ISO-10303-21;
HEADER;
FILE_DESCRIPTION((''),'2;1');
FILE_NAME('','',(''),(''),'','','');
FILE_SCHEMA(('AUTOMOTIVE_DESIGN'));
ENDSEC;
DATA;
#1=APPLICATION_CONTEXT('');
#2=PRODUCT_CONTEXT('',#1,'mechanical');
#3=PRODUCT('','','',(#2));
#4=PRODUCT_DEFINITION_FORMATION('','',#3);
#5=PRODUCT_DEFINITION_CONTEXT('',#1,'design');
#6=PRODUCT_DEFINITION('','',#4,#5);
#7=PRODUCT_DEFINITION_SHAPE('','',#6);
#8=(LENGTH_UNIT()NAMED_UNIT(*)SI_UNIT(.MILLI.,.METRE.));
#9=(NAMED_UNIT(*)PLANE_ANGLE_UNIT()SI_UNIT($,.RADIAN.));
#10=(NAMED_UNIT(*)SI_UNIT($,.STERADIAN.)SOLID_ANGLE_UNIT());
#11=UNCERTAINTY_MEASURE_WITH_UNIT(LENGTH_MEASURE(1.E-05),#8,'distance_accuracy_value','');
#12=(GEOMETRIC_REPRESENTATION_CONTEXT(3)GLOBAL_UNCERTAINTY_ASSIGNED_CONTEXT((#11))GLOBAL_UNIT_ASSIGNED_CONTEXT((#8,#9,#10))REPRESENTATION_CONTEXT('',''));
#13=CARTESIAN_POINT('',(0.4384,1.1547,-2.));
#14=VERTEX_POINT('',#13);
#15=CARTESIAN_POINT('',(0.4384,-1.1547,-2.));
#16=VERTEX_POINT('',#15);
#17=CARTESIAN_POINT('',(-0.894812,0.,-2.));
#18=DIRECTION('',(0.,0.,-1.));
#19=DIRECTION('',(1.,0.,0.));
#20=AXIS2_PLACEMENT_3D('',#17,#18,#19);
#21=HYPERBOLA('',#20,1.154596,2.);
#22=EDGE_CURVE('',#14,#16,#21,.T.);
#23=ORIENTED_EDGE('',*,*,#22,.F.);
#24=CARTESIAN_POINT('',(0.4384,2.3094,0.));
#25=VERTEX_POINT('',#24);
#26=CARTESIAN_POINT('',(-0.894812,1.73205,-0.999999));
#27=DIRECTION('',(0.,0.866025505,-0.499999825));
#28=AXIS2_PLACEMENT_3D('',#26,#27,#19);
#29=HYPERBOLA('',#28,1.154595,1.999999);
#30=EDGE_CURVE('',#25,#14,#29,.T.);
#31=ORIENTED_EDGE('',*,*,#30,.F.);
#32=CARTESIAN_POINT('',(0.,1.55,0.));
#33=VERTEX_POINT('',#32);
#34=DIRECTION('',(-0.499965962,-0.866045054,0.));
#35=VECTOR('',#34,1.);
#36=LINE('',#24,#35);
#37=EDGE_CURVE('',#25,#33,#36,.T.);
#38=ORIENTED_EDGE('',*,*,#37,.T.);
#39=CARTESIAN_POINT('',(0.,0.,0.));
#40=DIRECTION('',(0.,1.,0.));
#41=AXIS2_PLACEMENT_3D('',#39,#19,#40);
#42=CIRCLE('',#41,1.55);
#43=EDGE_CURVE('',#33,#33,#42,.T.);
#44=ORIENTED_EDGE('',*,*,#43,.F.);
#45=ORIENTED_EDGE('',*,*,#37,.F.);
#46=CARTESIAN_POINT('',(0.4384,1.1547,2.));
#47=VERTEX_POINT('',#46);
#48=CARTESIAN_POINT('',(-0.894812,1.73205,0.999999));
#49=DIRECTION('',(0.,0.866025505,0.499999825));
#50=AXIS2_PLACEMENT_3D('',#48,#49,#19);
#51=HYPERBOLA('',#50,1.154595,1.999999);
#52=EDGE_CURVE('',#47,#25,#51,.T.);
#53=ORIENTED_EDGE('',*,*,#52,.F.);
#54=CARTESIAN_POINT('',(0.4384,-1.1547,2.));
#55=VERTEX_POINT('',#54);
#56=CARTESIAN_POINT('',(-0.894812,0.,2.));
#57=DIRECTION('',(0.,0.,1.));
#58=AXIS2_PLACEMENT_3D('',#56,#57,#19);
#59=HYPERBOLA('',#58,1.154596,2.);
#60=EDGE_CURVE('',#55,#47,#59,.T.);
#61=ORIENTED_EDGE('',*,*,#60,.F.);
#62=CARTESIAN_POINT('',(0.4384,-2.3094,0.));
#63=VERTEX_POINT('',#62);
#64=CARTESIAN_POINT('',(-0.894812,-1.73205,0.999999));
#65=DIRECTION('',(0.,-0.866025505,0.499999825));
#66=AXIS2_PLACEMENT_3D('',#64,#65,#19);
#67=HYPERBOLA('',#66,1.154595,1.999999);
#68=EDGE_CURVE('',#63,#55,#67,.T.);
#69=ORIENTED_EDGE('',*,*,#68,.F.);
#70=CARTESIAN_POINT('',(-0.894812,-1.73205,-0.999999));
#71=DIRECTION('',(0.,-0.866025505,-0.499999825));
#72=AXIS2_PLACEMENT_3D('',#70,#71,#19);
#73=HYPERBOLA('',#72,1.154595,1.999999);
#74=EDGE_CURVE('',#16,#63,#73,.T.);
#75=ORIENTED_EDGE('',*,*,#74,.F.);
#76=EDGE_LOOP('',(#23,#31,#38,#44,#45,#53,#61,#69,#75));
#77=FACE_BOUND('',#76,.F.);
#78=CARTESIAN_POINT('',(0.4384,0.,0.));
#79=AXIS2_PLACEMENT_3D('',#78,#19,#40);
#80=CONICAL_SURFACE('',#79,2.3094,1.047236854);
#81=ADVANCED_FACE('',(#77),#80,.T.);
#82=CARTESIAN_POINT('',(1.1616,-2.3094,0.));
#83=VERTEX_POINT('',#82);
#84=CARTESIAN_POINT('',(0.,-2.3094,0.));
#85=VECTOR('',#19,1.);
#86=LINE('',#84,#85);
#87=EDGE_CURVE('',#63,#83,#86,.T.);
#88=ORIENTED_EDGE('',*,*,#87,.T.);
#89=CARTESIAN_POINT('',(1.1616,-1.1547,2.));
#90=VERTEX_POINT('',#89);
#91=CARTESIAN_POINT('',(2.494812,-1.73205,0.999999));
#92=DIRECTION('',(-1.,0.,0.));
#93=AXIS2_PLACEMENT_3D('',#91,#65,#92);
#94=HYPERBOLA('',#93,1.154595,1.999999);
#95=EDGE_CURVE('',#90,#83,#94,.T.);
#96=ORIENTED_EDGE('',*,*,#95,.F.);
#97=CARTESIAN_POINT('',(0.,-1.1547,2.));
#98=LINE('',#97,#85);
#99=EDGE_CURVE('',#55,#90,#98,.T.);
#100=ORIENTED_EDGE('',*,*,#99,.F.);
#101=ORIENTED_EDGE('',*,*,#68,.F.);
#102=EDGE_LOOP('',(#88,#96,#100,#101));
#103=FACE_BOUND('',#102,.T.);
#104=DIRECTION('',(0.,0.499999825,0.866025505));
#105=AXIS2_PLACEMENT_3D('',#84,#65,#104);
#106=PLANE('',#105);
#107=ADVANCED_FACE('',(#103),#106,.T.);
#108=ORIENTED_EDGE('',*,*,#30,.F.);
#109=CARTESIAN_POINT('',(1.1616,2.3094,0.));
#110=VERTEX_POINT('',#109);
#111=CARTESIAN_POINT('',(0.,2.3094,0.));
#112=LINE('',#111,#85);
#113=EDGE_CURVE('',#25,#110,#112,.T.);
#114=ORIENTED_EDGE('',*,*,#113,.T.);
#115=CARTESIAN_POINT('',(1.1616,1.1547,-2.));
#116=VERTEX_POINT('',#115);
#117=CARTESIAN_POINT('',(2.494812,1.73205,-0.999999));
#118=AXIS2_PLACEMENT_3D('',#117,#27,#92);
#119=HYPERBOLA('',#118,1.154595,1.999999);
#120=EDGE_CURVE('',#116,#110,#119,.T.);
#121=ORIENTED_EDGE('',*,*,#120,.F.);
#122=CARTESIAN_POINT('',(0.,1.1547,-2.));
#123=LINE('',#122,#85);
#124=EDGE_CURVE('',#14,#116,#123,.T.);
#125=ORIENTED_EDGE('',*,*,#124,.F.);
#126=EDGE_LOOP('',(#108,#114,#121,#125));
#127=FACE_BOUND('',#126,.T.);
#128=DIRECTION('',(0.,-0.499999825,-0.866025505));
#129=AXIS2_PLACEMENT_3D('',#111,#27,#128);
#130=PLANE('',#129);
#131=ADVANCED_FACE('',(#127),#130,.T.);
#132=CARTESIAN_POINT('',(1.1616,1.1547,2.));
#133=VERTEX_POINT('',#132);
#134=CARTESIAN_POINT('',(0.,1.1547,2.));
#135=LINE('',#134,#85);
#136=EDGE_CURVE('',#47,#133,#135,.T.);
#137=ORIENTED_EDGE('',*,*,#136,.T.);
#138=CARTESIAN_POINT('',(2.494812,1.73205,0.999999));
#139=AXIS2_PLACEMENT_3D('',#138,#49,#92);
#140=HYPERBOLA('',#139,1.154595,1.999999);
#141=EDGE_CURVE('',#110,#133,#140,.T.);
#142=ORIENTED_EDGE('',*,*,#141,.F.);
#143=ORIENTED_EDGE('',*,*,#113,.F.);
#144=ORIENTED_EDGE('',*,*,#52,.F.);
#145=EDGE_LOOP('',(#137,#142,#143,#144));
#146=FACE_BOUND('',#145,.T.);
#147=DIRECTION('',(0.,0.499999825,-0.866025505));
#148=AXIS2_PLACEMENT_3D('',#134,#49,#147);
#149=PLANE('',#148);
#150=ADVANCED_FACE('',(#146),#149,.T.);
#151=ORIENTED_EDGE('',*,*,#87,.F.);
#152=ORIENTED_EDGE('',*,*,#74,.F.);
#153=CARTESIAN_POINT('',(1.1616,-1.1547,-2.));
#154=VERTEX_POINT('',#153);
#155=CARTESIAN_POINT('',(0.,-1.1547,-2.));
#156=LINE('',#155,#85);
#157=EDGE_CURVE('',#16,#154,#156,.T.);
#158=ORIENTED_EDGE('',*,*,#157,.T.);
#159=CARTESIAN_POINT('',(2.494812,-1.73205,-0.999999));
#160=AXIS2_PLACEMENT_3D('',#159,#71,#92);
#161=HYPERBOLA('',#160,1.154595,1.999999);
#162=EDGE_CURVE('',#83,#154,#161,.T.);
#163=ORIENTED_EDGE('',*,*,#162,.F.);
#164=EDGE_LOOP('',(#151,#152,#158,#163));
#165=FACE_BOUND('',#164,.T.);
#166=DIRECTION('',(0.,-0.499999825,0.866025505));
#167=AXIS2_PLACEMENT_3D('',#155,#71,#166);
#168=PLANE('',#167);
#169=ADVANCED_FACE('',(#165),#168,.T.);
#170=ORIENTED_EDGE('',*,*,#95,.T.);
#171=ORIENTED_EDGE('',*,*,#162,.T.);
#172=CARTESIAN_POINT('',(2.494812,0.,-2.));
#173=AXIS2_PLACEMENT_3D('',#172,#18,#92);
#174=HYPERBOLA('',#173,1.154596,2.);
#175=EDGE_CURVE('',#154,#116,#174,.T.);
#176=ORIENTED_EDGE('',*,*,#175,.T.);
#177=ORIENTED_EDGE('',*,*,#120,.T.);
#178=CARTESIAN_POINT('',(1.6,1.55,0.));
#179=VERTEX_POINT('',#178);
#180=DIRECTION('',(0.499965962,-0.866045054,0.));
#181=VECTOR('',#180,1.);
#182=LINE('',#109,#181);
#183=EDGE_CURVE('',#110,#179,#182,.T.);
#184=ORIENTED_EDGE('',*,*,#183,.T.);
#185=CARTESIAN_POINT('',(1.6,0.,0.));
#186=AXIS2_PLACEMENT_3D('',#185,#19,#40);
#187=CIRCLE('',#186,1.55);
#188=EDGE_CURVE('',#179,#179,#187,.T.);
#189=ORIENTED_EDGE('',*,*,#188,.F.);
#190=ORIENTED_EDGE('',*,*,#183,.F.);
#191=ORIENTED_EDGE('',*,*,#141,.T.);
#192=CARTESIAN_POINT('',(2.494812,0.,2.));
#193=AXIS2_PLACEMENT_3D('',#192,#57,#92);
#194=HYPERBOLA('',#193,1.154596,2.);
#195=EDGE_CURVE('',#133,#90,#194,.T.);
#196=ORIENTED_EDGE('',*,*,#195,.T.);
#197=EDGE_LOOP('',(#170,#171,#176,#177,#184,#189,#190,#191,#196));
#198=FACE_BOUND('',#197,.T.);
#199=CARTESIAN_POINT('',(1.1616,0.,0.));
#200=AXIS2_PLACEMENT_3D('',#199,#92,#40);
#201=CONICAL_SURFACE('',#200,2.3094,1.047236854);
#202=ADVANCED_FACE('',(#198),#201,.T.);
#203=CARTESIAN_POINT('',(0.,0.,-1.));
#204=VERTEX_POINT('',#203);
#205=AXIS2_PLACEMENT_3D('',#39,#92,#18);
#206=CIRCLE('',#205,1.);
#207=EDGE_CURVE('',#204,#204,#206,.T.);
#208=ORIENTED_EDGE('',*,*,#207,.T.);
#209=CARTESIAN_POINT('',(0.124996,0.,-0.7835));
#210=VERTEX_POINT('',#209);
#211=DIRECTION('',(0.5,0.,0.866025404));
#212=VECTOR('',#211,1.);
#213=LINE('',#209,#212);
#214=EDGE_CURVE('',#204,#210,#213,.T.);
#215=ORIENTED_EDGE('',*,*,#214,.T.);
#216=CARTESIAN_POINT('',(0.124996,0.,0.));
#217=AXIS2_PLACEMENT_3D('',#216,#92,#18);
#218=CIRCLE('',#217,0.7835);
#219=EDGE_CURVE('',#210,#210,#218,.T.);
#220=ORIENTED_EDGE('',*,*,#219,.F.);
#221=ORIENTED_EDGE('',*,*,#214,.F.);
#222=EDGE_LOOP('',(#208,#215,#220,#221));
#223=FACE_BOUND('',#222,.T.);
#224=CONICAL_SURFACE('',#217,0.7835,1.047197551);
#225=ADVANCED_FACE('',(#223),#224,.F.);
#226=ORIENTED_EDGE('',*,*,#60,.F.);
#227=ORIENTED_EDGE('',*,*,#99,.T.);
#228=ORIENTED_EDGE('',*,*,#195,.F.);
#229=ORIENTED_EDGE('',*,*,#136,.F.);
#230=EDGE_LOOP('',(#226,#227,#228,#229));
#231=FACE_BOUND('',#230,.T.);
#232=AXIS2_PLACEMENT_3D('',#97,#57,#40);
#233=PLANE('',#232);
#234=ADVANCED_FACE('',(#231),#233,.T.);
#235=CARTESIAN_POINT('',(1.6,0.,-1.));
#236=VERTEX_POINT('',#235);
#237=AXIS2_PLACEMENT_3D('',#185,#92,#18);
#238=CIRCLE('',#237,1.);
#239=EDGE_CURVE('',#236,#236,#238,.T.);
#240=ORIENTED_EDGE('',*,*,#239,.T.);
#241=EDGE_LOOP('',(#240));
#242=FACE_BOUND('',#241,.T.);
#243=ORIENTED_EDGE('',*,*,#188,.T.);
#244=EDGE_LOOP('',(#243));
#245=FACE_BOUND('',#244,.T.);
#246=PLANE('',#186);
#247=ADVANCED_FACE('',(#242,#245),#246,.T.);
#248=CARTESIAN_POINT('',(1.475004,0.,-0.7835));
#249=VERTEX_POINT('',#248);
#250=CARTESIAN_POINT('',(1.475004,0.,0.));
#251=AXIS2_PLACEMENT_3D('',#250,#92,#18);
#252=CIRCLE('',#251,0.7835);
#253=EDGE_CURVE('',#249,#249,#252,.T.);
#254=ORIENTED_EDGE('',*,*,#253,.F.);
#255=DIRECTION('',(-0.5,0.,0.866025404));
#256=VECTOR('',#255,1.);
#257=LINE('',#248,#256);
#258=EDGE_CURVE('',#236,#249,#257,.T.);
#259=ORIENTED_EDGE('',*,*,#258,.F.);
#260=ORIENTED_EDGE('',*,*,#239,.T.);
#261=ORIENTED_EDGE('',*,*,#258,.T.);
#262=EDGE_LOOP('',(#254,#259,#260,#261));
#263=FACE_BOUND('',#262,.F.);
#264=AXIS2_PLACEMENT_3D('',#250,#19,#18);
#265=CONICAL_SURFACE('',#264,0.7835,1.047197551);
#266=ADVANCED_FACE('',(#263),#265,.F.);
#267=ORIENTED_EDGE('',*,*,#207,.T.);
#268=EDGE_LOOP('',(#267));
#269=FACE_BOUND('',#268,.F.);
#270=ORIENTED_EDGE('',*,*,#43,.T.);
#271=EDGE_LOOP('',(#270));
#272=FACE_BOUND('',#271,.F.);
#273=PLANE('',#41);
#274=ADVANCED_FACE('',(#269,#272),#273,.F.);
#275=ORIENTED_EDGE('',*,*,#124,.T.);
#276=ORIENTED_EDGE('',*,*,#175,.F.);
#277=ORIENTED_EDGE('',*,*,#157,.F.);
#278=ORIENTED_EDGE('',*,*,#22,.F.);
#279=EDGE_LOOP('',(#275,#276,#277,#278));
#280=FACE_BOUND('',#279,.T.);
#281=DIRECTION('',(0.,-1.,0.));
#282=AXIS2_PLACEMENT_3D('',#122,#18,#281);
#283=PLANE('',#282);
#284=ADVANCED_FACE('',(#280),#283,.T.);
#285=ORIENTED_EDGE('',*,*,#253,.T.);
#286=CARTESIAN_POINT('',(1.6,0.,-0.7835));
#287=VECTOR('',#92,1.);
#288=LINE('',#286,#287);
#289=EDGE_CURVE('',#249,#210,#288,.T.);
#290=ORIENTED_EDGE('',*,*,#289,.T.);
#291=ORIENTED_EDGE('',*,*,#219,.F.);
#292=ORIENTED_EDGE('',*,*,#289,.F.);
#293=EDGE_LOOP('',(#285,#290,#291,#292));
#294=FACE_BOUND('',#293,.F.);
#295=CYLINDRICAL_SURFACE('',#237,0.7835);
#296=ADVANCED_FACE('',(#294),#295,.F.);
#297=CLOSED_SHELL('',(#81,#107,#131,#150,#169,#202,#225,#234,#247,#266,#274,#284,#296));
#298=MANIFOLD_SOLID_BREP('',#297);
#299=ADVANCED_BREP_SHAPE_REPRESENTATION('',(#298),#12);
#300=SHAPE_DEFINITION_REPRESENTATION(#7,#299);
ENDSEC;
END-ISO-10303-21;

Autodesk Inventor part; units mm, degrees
ref_plane "YZ Plane" through (0, 0, 0) normal (1, 0, 0) x (0, 1, 0)
ref_plane "XZ Plane" through (0, 0, 0) normal (0, 1, 0) x (-1, 0, 0)
sketch "Szkic1" plane through (0, 0, 0) normal (1, 0, 0) x (0, 1, 0)
  line L0 (-2.3094, 0) -> (-1.1547, 2)
  line L1 (-1.1547, 2) -> (1.1547, 2)
  line L2 (1.1547, 2) -> (2.3094, 0)
  line L3 (2.3094, 0) -> (1.1547, -2)
  line L4 (1.1547, -2) -> (-1.1547, -2)
  line L5 (-1.1547, -2) -> (-2.3094, 0)
  point P0 (0, 0)
  point P1 (0, 0)
  dimension "d0" = 4.6188
extrude "Bryła" add sketch "Szkic1" along normal blind 1.6
sketch "Szkic2" plane through (0, 0, 0) normal (0, 0, 1) x (1, 0, 0)
  line L0 (0, 1.1547) -> (0, 2.3094) projected
  line L1 (0, 2.3094) -> (1.6, 2.3094) projected
  line L2 (1.6, 1.1547) -> (1.6, 2.3094) projected
  line L3 (-0.32, 0) -> (1.92, 0) projected
  line L4 (0.4384, 2.3094) -> (0, 1.55)
  line L5 (1.1616, 2.3094) -> (1.6, 1.55)
  dimension "d3" = 30
  dimension "d4" = 30
  dimension "d5" = 3.1
  dimension "d6" = 3.1
revolve "Faza1" cut sketch "Szkic2" angle 360 about axis through (-10, 0, 0) along (1, 0, 0)
sketch "Szkic3" plane through (1.6, 0, 0) normal (1, 0, 0) x (0, 0, -1)
  arc A0 (-0.625, -1.0825) -> (0.625, -1.0825) centre (0, 0) ccw projected
hole "Gwint" at (1.6, 0, 0) direction (-1, 0, 0) diameter 1.567 end through all thread size "M2x0.4" class "6H" standard "ISO Metric profile"
chamfer "Faza2" distance 0.2165 angle 30 1 edges at (1.6, 0, 0.7835) measured on face at (1.6, 1.2776, -0.1551)
chamfer "Faza3" distance 0.2165 angle 30 1 edges at (0, 0, 0.7835) measured on face at (0, 1.2776, -0.1551)
ref_plane "Work Plane1" through (-4.7161, 0, 0) normal (0, -0.866, -0.5) x (1, 0, 0)
equation "\"d0\" = 1.1547 * SW"
equation "\"d1\" = KOH"
equation "\"d3\" = ANG1"
equation "\"d4\" = ANG2"
equation "\"d5\" = SW0"
equation "\"d6\" = SW01"
equation "\"d8\" = -0.5 * GD1 + 0.5 * NND"
equation "\"d40\" = -0.5 * GD1 + 0.5 * NND"
equation "\"d10\" = -0.5 * GD1 + 0.5 * NND"
equation "\"d41\" = -0.5 * GD1 + 0.5 * NND"
equation "\"ANG1\" = 30deg"
equation "\"ANG2\" = 30deg"
equation "\"NND\" = 2"
equation "\"KOH\" = 1.6"
equation "\"SW\" = 4"
equation "\"SW0\" = 3.1"
equation "\"SW01\" = 3.1"
equation "\"GUL\" = 0.541266 * PTC"
equation "\"THREADDIA\" = 2"
equation "\"TOA\" = 30deg"
equation "\"PTC\" = 0.4"
equation "\"E0\" = 1.155 * SW"
equation "\"GAL\" = 0.541266 * PTC"
equation "\"GD1\" = 1.566987"
properties part number "ISO 4032 - M2" material "Stal nierdzewna 440C"
